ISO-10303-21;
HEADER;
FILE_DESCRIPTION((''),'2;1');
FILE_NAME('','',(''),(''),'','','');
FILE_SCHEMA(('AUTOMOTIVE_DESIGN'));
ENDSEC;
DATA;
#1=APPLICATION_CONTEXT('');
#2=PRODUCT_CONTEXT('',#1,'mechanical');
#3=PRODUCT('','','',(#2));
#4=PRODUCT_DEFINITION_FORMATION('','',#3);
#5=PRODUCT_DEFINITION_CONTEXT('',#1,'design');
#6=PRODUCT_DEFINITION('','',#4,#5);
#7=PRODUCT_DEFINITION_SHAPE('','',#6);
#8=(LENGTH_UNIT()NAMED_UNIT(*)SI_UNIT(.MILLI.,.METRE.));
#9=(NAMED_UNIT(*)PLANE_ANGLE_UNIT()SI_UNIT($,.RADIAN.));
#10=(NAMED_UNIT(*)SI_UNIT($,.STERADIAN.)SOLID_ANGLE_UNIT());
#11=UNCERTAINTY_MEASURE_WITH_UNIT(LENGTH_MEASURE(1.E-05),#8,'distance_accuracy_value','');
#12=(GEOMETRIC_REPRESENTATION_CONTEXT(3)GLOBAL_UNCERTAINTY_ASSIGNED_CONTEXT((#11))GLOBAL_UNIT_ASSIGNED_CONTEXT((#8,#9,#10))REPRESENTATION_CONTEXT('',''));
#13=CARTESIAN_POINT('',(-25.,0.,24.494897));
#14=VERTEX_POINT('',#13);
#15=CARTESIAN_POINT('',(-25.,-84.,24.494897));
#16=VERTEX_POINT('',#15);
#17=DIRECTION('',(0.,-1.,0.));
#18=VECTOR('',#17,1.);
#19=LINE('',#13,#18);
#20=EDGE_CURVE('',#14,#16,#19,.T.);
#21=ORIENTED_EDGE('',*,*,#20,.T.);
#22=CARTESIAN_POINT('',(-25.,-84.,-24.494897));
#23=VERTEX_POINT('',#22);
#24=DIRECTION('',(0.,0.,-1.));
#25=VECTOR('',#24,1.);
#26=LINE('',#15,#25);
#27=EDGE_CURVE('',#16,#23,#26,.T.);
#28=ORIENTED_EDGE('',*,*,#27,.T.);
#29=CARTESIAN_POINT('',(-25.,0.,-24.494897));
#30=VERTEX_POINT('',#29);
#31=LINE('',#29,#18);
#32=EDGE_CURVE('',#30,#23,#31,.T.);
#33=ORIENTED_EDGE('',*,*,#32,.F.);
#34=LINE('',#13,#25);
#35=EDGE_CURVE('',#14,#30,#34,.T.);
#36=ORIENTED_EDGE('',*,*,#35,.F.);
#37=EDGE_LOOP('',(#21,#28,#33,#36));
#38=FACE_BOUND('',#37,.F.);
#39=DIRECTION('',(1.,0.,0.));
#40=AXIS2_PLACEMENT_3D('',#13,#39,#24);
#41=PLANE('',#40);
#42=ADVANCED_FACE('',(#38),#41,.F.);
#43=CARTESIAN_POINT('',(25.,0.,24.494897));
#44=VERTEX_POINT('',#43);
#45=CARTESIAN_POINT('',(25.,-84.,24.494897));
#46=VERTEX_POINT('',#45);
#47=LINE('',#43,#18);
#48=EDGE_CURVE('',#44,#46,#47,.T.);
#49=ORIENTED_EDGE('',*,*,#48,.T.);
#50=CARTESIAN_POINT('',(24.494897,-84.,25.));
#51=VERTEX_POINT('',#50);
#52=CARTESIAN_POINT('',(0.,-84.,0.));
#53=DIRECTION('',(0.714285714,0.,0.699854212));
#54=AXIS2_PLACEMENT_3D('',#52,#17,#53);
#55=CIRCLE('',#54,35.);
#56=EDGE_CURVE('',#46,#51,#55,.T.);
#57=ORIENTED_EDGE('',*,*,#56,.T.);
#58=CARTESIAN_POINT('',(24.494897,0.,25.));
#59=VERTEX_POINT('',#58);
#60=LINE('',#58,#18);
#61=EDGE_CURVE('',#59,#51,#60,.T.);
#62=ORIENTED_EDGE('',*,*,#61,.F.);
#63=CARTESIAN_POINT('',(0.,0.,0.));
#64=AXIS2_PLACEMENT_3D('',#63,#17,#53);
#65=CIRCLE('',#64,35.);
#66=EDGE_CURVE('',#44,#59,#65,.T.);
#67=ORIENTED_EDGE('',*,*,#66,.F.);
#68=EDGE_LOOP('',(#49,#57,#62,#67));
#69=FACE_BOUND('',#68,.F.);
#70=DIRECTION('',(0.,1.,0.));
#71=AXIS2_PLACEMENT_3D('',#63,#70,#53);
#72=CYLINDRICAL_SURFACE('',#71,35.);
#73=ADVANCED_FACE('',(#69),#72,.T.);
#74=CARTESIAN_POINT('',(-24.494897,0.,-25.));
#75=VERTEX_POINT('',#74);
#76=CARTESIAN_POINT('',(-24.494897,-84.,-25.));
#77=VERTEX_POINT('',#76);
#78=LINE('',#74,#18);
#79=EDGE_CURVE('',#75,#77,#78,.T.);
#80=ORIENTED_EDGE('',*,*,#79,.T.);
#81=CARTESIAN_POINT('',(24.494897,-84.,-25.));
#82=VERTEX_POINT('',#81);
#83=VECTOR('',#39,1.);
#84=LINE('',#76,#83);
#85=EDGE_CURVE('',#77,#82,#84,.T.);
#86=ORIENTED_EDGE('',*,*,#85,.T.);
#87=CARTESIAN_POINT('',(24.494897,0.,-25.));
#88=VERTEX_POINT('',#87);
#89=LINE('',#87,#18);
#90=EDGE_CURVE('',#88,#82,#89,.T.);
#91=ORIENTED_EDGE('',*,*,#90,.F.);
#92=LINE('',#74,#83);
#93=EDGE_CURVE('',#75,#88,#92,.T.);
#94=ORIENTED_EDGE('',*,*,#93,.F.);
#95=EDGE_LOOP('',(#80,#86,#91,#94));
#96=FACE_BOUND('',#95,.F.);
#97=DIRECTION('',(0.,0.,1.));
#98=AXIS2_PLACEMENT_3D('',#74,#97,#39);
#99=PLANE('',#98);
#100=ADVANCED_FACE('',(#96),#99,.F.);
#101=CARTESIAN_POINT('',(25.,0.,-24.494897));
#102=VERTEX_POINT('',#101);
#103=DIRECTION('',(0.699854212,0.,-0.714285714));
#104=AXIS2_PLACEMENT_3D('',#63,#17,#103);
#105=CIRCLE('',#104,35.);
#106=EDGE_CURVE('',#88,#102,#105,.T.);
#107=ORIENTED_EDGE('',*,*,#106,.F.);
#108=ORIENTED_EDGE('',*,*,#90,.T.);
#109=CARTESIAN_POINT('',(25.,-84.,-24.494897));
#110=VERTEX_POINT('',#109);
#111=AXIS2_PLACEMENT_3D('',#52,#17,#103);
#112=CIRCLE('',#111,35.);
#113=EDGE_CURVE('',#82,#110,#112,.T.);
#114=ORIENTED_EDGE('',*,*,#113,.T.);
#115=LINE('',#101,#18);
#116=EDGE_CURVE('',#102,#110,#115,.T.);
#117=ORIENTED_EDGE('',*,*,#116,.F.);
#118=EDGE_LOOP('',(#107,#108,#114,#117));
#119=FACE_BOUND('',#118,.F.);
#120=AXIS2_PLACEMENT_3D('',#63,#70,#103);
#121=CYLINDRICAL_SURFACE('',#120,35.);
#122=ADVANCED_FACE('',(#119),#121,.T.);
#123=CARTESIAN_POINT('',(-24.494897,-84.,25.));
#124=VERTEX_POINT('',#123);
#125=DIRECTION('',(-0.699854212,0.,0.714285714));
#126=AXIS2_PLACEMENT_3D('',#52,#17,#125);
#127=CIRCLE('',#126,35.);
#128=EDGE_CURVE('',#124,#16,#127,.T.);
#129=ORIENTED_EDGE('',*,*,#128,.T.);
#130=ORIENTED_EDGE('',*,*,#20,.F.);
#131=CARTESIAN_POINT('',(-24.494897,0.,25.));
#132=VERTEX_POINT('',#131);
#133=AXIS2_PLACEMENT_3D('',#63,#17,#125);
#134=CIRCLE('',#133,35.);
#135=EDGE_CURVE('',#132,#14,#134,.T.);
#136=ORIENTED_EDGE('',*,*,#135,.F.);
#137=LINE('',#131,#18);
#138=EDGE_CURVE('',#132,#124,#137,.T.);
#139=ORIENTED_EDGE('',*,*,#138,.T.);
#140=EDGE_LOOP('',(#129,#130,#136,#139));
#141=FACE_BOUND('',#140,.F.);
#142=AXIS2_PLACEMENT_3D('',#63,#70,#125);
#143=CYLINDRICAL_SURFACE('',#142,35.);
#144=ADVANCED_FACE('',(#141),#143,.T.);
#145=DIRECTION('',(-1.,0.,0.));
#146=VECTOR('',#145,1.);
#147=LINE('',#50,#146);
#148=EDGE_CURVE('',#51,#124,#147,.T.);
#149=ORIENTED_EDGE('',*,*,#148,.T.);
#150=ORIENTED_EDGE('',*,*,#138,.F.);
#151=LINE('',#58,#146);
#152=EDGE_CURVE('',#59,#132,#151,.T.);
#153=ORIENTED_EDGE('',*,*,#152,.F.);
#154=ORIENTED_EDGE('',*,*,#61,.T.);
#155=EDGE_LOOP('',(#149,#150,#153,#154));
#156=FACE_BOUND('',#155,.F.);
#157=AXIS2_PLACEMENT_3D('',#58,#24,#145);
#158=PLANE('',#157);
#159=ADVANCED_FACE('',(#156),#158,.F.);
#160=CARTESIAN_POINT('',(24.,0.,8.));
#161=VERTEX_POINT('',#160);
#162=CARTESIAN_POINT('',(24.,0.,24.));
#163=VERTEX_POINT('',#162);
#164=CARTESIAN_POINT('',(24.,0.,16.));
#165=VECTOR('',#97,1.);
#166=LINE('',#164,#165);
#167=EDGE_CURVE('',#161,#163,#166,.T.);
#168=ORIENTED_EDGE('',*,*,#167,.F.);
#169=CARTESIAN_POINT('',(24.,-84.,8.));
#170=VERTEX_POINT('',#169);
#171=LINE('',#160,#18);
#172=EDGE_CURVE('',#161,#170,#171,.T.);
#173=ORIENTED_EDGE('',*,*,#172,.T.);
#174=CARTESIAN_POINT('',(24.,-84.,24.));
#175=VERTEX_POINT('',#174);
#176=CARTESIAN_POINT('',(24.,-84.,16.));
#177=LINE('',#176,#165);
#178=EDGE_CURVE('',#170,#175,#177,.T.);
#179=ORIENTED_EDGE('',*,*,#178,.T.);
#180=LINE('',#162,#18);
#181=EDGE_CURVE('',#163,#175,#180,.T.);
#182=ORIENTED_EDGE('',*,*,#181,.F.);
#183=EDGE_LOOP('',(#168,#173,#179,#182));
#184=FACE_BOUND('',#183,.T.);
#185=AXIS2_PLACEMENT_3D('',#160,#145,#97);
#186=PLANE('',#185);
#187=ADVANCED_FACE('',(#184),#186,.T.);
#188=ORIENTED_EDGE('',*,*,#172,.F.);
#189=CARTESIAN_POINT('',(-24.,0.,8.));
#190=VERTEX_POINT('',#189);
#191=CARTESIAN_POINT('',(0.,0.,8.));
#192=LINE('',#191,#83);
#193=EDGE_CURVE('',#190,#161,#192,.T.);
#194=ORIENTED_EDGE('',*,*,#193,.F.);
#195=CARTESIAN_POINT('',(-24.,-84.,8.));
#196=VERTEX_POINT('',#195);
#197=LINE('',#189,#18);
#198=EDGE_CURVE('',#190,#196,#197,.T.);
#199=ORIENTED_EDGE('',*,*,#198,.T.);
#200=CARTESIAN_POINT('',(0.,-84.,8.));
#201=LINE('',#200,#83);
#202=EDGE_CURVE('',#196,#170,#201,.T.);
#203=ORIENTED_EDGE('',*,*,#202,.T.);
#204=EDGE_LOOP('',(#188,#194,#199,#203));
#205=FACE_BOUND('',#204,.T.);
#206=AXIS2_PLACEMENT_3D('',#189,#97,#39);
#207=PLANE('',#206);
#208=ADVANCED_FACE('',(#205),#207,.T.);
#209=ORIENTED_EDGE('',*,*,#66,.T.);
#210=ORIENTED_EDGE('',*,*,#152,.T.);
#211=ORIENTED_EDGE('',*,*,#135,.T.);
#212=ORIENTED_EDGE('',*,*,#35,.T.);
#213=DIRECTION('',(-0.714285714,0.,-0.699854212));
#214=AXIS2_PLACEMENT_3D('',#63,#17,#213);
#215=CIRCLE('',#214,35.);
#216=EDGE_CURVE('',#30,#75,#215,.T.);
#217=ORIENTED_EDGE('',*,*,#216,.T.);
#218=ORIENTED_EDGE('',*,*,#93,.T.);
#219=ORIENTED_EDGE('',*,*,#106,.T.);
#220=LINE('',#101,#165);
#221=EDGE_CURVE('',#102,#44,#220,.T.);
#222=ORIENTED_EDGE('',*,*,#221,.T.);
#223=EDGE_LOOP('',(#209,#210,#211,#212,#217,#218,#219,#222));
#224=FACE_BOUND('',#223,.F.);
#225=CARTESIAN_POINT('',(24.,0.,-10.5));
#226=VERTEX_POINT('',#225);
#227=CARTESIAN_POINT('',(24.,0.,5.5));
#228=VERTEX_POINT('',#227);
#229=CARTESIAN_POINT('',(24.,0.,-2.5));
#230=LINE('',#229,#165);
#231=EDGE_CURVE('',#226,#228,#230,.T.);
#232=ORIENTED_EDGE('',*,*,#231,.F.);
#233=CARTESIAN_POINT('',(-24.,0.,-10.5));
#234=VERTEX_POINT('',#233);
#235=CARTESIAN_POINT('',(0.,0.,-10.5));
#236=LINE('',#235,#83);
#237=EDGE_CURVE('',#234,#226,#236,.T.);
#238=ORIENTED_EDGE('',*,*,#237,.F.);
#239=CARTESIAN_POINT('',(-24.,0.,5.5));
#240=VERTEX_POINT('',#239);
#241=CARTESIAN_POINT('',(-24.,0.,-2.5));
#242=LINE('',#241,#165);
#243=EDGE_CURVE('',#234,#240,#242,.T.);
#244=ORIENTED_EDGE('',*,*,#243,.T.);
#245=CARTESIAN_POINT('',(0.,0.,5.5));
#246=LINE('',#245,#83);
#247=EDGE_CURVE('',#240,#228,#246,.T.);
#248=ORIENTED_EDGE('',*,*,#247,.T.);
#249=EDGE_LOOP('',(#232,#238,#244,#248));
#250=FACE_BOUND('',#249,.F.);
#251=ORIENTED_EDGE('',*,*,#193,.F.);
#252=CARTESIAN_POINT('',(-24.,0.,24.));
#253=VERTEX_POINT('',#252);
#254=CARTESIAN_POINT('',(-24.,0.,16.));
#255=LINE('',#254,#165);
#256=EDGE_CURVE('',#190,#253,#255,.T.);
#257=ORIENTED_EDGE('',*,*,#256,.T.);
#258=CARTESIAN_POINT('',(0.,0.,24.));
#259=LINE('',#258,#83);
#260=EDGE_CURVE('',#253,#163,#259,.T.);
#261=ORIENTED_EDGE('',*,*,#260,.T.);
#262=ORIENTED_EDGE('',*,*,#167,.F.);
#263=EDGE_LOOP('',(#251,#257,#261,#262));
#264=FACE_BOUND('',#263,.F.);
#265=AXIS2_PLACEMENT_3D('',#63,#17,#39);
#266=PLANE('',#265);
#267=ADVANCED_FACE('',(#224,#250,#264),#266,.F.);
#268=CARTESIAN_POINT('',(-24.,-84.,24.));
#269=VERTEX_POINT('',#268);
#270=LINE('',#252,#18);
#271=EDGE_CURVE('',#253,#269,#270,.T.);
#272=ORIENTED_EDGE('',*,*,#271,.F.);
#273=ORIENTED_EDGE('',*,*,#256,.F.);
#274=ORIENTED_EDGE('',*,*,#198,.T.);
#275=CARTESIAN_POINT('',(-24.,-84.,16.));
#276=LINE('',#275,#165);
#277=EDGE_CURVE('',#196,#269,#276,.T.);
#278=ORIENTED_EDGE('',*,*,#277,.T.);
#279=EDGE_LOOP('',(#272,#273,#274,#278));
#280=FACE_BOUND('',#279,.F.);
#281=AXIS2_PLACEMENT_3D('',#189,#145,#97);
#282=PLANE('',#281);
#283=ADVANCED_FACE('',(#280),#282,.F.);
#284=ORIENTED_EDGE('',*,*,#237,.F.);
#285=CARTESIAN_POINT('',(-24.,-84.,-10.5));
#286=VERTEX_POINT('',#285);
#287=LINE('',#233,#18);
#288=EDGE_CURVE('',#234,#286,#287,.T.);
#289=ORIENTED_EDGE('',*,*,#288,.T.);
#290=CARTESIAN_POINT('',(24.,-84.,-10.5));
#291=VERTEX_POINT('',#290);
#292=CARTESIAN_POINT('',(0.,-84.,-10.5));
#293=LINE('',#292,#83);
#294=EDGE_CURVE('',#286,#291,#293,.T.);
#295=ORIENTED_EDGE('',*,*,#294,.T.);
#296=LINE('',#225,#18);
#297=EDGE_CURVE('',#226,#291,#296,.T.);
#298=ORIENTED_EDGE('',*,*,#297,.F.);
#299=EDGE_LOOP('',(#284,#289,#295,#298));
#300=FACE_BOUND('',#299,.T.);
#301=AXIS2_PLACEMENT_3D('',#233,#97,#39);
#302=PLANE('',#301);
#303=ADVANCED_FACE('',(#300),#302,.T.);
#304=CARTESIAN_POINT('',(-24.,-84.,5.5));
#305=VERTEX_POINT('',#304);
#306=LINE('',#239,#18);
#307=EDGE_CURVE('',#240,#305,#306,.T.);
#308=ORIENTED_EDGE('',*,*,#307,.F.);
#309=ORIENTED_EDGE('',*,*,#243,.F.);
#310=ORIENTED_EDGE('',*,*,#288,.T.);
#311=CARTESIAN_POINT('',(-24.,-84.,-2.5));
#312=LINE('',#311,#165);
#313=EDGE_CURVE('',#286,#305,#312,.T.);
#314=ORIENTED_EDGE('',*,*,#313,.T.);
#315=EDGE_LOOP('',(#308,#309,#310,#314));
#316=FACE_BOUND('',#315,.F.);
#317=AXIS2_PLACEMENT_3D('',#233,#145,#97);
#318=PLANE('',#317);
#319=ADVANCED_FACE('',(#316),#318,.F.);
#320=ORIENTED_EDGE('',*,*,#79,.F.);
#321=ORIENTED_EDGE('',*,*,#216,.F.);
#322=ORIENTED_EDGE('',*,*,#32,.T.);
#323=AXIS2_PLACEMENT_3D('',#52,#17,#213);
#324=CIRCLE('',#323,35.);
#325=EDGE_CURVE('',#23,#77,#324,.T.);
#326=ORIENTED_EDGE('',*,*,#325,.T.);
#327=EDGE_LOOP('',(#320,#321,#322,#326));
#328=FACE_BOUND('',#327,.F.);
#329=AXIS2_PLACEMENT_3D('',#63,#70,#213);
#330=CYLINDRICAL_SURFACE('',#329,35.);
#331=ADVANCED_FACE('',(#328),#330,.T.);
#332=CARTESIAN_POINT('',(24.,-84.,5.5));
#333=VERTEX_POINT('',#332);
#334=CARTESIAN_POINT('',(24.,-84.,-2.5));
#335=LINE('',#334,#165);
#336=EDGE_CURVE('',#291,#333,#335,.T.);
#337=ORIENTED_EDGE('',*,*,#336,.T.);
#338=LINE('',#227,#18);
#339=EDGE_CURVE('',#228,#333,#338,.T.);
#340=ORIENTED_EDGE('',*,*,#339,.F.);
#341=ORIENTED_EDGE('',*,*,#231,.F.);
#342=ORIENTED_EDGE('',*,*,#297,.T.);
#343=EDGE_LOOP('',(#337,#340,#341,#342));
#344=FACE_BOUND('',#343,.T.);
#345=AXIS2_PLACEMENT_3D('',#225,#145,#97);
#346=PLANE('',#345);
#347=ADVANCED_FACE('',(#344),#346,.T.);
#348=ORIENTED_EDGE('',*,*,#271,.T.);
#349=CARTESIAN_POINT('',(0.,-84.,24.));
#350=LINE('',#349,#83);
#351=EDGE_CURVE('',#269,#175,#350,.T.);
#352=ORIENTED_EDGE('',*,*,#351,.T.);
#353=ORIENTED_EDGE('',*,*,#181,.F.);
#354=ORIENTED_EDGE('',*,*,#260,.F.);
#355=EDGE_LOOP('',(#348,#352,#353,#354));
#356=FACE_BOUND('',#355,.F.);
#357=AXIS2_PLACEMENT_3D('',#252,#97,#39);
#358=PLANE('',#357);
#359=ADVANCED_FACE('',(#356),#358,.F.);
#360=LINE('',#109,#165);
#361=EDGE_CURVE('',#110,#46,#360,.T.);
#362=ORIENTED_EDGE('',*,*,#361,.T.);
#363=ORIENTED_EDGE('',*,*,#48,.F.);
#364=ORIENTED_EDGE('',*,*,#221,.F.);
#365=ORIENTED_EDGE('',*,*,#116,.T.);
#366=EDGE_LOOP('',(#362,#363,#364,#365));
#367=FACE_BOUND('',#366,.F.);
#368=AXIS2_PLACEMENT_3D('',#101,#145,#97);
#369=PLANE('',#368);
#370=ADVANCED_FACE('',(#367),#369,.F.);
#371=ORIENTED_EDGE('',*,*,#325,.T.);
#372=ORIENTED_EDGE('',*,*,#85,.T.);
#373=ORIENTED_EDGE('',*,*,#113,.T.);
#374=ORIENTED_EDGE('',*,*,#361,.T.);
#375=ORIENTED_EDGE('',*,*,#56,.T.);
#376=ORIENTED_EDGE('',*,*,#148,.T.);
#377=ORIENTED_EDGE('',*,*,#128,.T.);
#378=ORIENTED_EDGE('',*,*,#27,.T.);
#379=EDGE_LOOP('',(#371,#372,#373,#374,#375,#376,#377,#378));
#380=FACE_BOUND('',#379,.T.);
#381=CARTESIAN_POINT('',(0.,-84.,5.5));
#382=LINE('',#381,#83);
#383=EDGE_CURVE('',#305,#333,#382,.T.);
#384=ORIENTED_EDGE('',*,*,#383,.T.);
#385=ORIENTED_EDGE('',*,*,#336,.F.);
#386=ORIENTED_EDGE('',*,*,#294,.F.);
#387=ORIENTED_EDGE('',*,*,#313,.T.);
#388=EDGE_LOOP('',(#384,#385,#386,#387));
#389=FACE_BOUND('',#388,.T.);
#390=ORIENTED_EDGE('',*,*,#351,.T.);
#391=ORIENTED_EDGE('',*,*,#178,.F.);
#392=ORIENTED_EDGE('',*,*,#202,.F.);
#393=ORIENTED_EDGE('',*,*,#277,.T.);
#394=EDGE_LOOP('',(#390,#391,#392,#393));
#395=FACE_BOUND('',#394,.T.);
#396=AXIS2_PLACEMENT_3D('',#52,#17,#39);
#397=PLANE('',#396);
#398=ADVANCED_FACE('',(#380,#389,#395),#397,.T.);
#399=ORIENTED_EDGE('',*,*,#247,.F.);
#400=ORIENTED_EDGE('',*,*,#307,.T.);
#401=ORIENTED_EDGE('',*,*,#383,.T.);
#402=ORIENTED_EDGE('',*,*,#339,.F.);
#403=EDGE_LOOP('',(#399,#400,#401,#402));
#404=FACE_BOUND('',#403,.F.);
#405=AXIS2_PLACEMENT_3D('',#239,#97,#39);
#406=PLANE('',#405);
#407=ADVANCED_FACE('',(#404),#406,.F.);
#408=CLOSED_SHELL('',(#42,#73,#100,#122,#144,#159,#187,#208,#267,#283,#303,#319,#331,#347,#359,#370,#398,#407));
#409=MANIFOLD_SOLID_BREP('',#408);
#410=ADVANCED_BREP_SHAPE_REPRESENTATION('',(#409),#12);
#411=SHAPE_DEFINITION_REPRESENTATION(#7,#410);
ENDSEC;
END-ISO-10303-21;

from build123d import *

# Parameters (mm, degrees)
F0_W     = 48
F0_H     = 16
F1_DEPTH = 84


with BuildPart() as f1:
    # F0 (on Front) → F1 (new body)
    with BuildSketch(Plane.XZ):
        with BuildLine():
            Line((25, -24.4948974278), (25, 24.4948974278))
            ThreePointArc((25, 24.4948974278), (24.7487373415, 24.7487373415), (24.4948974278, 25))
            Line((24.4948974278, 25), (-24.4948974278, 25))
            ThreePointArc((-24.4948974278, 25), (-24.7487373415, 24.7487373415), (-25, 24.4948974278))
            Line((-25, 24.4948974278), (-25, -24.4948974278))
            ThreePointArc((-25, -24.4948974278), (-24.7487373415, -24.7487373415), (-24.4948974278, -25))
            Line((-24.4948974278, -25), (24.4948974278, -25))
            ThreePointArc((24.4948974278, -25), (24.7487373415, -24.7487373415), (25, -24.4948974278))
        make_face()
        with Locations((0, -2.5)):
            Rectangle(F0_W, F0_H, mode=Mode.SUBTRACT)
        with Locations((0, 16)):
            Rectangle(F0_W, F0_H, mode=Mode.SUBTRACT)
    extrude(amount=F1_DEPTH)


solid = f1.part
